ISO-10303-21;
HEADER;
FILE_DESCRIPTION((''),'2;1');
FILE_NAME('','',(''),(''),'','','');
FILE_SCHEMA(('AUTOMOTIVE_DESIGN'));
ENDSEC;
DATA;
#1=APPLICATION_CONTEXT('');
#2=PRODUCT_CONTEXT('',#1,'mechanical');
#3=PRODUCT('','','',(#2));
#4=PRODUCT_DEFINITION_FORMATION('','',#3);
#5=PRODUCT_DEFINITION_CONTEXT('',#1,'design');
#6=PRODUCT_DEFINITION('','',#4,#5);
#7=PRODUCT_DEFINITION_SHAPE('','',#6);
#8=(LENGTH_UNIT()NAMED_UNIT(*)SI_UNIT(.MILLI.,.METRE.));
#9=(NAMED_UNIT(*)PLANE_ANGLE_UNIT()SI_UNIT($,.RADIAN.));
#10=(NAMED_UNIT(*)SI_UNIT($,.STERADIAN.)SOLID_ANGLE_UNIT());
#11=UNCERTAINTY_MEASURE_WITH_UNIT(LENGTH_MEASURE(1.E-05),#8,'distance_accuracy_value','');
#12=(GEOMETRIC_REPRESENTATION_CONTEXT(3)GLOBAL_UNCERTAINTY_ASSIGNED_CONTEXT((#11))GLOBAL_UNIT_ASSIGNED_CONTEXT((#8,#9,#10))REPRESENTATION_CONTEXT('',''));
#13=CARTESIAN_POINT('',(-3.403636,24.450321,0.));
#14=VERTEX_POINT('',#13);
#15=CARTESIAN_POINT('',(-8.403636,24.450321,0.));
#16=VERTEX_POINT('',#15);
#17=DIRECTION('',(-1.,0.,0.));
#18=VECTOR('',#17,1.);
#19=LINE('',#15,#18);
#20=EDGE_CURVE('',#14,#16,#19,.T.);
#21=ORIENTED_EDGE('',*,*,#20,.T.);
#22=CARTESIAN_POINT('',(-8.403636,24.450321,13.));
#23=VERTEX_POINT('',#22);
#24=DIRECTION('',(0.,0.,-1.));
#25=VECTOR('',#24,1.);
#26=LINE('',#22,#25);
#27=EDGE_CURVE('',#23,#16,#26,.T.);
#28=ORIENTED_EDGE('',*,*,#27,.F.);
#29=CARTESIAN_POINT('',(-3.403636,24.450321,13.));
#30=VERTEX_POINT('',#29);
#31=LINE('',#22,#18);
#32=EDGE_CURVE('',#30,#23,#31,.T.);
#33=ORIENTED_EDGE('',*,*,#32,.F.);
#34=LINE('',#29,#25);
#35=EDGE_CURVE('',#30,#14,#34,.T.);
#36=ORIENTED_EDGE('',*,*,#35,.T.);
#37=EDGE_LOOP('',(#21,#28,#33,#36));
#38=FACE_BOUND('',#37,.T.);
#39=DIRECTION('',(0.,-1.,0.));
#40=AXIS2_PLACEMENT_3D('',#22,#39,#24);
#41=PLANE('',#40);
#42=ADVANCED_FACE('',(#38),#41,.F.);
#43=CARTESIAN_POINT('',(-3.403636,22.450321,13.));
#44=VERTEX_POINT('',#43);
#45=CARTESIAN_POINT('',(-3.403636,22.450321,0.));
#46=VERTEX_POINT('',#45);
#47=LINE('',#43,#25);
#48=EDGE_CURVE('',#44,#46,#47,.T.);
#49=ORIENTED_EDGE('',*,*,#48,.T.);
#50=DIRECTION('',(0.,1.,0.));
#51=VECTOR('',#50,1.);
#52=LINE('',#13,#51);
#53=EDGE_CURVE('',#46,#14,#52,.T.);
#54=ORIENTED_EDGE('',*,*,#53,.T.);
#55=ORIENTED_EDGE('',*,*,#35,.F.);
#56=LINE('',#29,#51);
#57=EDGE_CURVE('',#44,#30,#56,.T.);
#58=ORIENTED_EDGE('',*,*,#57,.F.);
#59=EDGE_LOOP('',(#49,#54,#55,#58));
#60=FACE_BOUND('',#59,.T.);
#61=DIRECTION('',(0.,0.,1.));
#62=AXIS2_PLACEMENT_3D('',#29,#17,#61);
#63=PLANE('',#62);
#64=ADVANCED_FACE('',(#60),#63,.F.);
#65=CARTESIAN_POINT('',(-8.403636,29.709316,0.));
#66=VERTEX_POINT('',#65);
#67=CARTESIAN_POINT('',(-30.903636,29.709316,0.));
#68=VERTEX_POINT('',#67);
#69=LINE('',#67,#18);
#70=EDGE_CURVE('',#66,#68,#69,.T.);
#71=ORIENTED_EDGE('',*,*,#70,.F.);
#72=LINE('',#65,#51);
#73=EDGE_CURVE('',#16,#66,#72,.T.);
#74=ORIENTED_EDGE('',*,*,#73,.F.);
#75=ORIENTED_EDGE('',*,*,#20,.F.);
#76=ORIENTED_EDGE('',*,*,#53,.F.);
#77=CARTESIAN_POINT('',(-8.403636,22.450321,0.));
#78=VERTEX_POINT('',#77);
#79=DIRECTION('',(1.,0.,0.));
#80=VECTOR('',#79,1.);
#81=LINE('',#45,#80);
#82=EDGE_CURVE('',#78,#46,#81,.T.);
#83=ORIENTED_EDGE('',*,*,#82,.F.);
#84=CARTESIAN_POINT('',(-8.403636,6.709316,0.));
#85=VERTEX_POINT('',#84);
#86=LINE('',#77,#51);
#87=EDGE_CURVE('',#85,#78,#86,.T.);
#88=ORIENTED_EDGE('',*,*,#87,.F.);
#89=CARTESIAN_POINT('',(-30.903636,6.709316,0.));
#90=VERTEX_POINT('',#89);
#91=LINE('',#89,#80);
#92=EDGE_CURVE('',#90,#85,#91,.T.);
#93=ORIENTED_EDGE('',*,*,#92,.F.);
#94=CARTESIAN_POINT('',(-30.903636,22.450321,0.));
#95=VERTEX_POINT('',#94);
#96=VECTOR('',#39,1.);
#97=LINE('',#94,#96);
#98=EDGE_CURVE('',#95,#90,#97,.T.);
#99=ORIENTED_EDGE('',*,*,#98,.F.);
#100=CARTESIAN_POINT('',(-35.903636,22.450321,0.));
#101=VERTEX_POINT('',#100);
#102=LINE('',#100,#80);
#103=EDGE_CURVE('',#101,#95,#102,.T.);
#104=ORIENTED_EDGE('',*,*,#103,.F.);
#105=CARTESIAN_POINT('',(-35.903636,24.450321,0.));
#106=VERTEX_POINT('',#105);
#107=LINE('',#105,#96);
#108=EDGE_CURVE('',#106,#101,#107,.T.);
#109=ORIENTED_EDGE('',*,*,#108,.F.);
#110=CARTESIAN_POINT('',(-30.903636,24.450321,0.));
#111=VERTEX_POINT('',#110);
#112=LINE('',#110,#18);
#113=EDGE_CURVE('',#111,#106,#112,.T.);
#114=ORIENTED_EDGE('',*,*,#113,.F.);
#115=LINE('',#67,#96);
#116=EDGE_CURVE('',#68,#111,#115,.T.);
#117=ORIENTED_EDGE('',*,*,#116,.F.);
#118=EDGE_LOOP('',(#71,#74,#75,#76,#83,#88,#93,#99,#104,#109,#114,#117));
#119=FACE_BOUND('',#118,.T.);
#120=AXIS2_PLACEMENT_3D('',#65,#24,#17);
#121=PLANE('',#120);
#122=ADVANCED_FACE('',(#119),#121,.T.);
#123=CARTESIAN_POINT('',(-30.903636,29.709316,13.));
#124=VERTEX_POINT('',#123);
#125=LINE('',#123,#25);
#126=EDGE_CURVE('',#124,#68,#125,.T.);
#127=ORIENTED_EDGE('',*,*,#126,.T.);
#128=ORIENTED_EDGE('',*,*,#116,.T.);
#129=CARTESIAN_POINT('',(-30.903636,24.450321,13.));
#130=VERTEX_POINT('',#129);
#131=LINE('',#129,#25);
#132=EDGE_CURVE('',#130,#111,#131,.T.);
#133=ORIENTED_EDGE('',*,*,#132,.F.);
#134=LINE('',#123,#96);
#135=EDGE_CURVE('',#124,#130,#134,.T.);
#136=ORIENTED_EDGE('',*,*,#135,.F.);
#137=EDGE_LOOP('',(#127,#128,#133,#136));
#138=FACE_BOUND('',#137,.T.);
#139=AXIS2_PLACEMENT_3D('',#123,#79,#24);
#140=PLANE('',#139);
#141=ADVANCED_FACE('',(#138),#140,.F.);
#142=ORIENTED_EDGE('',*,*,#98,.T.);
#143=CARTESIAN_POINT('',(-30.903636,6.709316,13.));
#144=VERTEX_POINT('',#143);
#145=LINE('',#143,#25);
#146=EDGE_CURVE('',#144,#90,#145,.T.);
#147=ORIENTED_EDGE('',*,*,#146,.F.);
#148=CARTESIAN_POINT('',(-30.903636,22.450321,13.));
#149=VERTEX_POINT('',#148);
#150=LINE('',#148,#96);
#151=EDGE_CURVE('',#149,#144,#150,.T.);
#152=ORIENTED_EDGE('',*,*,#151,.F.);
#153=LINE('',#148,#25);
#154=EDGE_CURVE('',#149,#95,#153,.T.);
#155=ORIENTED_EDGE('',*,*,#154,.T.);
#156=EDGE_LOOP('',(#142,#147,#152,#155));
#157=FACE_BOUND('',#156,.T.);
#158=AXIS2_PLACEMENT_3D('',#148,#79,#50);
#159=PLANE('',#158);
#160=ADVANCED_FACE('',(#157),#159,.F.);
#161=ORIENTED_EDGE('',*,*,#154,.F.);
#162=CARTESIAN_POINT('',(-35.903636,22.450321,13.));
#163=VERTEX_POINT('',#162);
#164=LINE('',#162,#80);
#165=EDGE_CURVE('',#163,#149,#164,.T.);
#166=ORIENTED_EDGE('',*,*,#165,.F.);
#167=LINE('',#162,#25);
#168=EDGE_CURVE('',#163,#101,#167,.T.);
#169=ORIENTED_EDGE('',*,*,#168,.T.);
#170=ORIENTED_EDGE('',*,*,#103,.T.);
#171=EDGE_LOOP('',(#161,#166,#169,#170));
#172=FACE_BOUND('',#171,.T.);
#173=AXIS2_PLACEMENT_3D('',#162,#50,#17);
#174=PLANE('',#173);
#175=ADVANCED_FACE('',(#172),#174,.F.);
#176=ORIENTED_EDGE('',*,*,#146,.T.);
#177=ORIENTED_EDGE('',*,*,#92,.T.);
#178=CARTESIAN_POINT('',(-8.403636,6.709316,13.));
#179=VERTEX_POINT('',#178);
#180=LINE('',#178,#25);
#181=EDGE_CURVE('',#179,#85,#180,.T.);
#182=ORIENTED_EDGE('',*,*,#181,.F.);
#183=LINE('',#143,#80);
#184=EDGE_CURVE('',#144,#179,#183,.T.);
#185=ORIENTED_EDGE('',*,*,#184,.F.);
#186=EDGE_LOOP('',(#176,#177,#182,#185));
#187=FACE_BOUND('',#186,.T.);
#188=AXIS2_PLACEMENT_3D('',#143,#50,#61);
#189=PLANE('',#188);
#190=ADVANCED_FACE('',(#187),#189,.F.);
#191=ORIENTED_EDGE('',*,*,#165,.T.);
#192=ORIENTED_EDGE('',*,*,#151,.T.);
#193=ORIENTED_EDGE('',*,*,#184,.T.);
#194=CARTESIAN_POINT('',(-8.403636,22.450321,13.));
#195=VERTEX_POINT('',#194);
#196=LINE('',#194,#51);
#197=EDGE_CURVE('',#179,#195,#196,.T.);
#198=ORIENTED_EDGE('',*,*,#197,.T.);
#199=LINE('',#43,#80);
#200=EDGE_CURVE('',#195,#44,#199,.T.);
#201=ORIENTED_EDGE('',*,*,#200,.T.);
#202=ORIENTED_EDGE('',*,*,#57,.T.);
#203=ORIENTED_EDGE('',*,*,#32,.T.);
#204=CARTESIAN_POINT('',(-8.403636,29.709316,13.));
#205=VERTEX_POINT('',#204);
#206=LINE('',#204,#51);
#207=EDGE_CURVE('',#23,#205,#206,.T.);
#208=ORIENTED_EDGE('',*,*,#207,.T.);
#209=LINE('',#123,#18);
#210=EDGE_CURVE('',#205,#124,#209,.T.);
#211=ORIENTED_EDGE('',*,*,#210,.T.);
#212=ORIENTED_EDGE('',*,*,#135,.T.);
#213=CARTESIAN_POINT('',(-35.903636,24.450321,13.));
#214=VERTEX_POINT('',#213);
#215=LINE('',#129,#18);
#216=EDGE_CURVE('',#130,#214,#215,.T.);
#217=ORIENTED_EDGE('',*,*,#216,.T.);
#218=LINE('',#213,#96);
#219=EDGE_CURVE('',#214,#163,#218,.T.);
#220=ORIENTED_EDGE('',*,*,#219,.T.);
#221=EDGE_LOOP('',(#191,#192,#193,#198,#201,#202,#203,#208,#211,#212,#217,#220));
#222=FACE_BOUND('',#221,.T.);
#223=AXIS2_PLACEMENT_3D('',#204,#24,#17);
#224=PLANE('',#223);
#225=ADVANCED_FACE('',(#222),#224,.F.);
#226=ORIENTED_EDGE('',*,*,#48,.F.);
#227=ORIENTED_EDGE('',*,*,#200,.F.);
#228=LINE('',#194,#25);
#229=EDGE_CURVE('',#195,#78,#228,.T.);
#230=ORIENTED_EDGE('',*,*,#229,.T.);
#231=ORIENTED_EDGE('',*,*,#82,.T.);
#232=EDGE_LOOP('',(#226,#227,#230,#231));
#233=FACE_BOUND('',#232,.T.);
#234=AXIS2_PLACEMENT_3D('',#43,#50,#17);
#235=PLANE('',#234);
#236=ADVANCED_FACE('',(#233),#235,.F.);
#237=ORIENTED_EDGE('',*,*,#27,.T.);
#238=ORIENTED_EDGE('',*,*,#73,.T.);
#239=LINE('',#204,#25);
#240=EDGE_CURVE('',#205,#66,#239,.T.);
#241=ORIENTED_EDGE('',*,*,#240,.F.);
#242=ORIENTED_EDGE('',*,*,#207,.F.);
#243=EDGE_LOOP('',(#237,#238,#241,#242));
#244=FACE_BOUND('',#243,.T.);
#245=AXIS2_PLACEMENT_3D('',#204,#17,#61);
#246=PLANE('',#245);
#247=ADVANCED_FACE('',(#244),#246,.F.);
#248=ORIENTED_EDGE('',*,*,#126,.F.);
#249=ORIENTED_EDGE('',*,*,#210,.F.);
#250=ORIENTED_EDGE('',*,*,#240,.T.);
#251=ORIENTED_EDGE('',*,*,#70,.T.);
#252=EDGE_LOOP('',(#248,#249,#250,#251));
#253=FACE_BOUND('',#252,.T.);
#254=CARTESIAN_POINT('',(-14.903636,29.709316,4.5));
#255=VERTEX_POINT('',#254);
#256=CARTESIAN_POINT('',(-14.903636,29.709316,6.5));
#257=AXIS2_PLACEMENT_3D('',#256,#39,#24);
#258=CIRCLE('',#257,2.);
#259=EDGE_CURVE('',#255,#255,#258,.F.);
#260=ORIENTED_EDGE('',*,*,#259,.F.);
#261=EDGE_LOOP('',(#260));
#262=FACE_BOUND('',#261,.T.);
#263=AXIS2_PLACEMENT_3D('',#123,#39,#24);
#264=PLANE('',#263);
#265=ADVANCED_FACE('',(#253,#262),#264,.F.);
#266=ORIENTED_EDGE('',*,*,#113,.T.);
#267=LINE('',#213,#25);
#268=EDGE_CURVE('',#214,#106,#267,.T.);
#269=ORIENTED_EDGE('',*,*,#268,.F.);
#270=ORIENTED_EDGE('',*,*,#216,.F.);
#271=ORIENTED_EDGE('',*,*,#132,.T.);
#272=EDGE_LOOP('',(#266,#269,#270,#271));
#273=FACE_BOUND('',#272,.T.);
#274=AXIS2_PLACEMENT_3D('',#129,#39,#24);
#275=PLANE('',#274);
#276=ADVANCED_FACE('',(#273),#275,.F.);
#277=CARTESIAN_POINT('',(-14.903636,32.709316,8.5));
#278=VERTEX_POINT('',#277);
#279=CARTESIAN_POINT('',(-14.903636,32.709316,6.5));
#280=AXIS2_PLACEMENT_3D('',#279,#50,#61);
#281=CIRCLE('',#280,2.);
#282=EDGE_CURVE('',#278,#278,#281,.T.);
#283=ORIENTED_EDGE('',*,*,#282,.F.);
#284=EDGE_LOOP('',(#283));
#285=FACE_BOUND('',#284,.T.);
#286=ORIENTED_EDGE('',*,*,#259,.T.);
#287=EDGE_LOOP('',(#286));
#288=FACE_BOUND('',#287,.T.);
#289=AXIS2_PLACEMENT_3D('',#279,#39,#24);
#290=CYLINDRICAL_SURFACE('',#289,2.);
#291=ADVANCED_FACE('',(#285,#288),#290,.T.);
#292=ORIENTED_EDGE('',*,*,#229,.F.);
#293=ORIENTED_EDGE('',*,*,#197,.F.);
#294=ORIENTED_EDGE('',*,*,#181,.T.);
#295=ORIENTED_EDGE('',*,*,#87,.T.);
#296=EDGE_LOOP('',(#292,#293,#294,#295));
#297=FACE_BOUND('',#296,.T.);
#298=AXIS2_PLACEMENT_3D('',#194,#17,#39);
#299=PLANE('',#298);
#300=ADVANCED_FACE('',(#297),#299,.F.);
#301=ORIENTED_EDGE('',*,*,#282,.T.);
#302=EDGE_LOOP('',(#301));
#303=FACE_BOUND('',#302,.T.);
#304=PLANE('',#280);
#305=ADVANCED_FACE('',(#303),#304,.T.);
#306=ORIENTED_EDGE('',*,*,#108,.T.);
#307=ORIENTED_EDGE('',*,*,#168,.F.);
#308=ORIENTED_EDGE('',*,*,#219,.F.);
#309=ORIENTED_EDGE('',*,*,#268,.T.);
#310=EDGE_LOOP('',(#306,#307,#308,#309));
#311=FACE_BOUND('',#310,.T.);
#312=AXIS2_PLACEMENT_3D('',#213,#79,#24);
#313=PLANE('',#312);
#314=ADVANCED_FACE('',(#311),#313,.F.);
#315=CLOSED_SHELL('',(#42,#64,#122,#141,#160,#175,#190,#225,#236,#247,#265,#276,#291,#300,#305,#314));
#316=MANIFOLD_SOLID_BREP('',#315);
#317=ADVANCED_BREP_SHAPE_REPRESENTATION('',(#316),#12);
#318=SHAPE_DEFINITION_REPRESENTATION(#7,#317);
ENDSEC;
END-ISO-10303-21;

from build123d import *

# Parameters (mm, degrees)
EXTRUSION1_DEPTH = 13
ESQUISSE2_R      = 2
EXTRUSION2_DEPTH = 3


with BuildPart() as part:
    # Esquisse1 → Extrusion1 (new body)
    with BuildSketch(Plane.XY):
        Polygon((-30.903636364, 29.709316239), (-30.903636364, 24.450320542), (-35.903636364, 24.450320542), (-35.903636364, 22.450320542), (-30.903636364, 22.450320542), (-30.903636364, 6.709316239), (-8.403636364, 6.709316239), (-8.403636364, 22.450320542), (-3.403636364, 22.450320542), (-3.403636364, 24.450320542), (-8.403636364, 24.450320542), (-8.403636364, 29.709316239), align=None)
    extrude(amount=EXTRUSION1_DEPTH)

    # Esquisse2 → Extrusion2 (add)
    with BuildSketch(Plane(origin=(0, 29.709316239, 0), x_dir=(1, 0, 0), z_dir=(0, 1, 0))):
        with Locations(Location((-14.903636364, -6.5, 0), (0, 0, 90))):
            Circle(ESQUISSE2_R)
    extrude(amount=EXTRUSION2_DEPTH)


solid = part.part
